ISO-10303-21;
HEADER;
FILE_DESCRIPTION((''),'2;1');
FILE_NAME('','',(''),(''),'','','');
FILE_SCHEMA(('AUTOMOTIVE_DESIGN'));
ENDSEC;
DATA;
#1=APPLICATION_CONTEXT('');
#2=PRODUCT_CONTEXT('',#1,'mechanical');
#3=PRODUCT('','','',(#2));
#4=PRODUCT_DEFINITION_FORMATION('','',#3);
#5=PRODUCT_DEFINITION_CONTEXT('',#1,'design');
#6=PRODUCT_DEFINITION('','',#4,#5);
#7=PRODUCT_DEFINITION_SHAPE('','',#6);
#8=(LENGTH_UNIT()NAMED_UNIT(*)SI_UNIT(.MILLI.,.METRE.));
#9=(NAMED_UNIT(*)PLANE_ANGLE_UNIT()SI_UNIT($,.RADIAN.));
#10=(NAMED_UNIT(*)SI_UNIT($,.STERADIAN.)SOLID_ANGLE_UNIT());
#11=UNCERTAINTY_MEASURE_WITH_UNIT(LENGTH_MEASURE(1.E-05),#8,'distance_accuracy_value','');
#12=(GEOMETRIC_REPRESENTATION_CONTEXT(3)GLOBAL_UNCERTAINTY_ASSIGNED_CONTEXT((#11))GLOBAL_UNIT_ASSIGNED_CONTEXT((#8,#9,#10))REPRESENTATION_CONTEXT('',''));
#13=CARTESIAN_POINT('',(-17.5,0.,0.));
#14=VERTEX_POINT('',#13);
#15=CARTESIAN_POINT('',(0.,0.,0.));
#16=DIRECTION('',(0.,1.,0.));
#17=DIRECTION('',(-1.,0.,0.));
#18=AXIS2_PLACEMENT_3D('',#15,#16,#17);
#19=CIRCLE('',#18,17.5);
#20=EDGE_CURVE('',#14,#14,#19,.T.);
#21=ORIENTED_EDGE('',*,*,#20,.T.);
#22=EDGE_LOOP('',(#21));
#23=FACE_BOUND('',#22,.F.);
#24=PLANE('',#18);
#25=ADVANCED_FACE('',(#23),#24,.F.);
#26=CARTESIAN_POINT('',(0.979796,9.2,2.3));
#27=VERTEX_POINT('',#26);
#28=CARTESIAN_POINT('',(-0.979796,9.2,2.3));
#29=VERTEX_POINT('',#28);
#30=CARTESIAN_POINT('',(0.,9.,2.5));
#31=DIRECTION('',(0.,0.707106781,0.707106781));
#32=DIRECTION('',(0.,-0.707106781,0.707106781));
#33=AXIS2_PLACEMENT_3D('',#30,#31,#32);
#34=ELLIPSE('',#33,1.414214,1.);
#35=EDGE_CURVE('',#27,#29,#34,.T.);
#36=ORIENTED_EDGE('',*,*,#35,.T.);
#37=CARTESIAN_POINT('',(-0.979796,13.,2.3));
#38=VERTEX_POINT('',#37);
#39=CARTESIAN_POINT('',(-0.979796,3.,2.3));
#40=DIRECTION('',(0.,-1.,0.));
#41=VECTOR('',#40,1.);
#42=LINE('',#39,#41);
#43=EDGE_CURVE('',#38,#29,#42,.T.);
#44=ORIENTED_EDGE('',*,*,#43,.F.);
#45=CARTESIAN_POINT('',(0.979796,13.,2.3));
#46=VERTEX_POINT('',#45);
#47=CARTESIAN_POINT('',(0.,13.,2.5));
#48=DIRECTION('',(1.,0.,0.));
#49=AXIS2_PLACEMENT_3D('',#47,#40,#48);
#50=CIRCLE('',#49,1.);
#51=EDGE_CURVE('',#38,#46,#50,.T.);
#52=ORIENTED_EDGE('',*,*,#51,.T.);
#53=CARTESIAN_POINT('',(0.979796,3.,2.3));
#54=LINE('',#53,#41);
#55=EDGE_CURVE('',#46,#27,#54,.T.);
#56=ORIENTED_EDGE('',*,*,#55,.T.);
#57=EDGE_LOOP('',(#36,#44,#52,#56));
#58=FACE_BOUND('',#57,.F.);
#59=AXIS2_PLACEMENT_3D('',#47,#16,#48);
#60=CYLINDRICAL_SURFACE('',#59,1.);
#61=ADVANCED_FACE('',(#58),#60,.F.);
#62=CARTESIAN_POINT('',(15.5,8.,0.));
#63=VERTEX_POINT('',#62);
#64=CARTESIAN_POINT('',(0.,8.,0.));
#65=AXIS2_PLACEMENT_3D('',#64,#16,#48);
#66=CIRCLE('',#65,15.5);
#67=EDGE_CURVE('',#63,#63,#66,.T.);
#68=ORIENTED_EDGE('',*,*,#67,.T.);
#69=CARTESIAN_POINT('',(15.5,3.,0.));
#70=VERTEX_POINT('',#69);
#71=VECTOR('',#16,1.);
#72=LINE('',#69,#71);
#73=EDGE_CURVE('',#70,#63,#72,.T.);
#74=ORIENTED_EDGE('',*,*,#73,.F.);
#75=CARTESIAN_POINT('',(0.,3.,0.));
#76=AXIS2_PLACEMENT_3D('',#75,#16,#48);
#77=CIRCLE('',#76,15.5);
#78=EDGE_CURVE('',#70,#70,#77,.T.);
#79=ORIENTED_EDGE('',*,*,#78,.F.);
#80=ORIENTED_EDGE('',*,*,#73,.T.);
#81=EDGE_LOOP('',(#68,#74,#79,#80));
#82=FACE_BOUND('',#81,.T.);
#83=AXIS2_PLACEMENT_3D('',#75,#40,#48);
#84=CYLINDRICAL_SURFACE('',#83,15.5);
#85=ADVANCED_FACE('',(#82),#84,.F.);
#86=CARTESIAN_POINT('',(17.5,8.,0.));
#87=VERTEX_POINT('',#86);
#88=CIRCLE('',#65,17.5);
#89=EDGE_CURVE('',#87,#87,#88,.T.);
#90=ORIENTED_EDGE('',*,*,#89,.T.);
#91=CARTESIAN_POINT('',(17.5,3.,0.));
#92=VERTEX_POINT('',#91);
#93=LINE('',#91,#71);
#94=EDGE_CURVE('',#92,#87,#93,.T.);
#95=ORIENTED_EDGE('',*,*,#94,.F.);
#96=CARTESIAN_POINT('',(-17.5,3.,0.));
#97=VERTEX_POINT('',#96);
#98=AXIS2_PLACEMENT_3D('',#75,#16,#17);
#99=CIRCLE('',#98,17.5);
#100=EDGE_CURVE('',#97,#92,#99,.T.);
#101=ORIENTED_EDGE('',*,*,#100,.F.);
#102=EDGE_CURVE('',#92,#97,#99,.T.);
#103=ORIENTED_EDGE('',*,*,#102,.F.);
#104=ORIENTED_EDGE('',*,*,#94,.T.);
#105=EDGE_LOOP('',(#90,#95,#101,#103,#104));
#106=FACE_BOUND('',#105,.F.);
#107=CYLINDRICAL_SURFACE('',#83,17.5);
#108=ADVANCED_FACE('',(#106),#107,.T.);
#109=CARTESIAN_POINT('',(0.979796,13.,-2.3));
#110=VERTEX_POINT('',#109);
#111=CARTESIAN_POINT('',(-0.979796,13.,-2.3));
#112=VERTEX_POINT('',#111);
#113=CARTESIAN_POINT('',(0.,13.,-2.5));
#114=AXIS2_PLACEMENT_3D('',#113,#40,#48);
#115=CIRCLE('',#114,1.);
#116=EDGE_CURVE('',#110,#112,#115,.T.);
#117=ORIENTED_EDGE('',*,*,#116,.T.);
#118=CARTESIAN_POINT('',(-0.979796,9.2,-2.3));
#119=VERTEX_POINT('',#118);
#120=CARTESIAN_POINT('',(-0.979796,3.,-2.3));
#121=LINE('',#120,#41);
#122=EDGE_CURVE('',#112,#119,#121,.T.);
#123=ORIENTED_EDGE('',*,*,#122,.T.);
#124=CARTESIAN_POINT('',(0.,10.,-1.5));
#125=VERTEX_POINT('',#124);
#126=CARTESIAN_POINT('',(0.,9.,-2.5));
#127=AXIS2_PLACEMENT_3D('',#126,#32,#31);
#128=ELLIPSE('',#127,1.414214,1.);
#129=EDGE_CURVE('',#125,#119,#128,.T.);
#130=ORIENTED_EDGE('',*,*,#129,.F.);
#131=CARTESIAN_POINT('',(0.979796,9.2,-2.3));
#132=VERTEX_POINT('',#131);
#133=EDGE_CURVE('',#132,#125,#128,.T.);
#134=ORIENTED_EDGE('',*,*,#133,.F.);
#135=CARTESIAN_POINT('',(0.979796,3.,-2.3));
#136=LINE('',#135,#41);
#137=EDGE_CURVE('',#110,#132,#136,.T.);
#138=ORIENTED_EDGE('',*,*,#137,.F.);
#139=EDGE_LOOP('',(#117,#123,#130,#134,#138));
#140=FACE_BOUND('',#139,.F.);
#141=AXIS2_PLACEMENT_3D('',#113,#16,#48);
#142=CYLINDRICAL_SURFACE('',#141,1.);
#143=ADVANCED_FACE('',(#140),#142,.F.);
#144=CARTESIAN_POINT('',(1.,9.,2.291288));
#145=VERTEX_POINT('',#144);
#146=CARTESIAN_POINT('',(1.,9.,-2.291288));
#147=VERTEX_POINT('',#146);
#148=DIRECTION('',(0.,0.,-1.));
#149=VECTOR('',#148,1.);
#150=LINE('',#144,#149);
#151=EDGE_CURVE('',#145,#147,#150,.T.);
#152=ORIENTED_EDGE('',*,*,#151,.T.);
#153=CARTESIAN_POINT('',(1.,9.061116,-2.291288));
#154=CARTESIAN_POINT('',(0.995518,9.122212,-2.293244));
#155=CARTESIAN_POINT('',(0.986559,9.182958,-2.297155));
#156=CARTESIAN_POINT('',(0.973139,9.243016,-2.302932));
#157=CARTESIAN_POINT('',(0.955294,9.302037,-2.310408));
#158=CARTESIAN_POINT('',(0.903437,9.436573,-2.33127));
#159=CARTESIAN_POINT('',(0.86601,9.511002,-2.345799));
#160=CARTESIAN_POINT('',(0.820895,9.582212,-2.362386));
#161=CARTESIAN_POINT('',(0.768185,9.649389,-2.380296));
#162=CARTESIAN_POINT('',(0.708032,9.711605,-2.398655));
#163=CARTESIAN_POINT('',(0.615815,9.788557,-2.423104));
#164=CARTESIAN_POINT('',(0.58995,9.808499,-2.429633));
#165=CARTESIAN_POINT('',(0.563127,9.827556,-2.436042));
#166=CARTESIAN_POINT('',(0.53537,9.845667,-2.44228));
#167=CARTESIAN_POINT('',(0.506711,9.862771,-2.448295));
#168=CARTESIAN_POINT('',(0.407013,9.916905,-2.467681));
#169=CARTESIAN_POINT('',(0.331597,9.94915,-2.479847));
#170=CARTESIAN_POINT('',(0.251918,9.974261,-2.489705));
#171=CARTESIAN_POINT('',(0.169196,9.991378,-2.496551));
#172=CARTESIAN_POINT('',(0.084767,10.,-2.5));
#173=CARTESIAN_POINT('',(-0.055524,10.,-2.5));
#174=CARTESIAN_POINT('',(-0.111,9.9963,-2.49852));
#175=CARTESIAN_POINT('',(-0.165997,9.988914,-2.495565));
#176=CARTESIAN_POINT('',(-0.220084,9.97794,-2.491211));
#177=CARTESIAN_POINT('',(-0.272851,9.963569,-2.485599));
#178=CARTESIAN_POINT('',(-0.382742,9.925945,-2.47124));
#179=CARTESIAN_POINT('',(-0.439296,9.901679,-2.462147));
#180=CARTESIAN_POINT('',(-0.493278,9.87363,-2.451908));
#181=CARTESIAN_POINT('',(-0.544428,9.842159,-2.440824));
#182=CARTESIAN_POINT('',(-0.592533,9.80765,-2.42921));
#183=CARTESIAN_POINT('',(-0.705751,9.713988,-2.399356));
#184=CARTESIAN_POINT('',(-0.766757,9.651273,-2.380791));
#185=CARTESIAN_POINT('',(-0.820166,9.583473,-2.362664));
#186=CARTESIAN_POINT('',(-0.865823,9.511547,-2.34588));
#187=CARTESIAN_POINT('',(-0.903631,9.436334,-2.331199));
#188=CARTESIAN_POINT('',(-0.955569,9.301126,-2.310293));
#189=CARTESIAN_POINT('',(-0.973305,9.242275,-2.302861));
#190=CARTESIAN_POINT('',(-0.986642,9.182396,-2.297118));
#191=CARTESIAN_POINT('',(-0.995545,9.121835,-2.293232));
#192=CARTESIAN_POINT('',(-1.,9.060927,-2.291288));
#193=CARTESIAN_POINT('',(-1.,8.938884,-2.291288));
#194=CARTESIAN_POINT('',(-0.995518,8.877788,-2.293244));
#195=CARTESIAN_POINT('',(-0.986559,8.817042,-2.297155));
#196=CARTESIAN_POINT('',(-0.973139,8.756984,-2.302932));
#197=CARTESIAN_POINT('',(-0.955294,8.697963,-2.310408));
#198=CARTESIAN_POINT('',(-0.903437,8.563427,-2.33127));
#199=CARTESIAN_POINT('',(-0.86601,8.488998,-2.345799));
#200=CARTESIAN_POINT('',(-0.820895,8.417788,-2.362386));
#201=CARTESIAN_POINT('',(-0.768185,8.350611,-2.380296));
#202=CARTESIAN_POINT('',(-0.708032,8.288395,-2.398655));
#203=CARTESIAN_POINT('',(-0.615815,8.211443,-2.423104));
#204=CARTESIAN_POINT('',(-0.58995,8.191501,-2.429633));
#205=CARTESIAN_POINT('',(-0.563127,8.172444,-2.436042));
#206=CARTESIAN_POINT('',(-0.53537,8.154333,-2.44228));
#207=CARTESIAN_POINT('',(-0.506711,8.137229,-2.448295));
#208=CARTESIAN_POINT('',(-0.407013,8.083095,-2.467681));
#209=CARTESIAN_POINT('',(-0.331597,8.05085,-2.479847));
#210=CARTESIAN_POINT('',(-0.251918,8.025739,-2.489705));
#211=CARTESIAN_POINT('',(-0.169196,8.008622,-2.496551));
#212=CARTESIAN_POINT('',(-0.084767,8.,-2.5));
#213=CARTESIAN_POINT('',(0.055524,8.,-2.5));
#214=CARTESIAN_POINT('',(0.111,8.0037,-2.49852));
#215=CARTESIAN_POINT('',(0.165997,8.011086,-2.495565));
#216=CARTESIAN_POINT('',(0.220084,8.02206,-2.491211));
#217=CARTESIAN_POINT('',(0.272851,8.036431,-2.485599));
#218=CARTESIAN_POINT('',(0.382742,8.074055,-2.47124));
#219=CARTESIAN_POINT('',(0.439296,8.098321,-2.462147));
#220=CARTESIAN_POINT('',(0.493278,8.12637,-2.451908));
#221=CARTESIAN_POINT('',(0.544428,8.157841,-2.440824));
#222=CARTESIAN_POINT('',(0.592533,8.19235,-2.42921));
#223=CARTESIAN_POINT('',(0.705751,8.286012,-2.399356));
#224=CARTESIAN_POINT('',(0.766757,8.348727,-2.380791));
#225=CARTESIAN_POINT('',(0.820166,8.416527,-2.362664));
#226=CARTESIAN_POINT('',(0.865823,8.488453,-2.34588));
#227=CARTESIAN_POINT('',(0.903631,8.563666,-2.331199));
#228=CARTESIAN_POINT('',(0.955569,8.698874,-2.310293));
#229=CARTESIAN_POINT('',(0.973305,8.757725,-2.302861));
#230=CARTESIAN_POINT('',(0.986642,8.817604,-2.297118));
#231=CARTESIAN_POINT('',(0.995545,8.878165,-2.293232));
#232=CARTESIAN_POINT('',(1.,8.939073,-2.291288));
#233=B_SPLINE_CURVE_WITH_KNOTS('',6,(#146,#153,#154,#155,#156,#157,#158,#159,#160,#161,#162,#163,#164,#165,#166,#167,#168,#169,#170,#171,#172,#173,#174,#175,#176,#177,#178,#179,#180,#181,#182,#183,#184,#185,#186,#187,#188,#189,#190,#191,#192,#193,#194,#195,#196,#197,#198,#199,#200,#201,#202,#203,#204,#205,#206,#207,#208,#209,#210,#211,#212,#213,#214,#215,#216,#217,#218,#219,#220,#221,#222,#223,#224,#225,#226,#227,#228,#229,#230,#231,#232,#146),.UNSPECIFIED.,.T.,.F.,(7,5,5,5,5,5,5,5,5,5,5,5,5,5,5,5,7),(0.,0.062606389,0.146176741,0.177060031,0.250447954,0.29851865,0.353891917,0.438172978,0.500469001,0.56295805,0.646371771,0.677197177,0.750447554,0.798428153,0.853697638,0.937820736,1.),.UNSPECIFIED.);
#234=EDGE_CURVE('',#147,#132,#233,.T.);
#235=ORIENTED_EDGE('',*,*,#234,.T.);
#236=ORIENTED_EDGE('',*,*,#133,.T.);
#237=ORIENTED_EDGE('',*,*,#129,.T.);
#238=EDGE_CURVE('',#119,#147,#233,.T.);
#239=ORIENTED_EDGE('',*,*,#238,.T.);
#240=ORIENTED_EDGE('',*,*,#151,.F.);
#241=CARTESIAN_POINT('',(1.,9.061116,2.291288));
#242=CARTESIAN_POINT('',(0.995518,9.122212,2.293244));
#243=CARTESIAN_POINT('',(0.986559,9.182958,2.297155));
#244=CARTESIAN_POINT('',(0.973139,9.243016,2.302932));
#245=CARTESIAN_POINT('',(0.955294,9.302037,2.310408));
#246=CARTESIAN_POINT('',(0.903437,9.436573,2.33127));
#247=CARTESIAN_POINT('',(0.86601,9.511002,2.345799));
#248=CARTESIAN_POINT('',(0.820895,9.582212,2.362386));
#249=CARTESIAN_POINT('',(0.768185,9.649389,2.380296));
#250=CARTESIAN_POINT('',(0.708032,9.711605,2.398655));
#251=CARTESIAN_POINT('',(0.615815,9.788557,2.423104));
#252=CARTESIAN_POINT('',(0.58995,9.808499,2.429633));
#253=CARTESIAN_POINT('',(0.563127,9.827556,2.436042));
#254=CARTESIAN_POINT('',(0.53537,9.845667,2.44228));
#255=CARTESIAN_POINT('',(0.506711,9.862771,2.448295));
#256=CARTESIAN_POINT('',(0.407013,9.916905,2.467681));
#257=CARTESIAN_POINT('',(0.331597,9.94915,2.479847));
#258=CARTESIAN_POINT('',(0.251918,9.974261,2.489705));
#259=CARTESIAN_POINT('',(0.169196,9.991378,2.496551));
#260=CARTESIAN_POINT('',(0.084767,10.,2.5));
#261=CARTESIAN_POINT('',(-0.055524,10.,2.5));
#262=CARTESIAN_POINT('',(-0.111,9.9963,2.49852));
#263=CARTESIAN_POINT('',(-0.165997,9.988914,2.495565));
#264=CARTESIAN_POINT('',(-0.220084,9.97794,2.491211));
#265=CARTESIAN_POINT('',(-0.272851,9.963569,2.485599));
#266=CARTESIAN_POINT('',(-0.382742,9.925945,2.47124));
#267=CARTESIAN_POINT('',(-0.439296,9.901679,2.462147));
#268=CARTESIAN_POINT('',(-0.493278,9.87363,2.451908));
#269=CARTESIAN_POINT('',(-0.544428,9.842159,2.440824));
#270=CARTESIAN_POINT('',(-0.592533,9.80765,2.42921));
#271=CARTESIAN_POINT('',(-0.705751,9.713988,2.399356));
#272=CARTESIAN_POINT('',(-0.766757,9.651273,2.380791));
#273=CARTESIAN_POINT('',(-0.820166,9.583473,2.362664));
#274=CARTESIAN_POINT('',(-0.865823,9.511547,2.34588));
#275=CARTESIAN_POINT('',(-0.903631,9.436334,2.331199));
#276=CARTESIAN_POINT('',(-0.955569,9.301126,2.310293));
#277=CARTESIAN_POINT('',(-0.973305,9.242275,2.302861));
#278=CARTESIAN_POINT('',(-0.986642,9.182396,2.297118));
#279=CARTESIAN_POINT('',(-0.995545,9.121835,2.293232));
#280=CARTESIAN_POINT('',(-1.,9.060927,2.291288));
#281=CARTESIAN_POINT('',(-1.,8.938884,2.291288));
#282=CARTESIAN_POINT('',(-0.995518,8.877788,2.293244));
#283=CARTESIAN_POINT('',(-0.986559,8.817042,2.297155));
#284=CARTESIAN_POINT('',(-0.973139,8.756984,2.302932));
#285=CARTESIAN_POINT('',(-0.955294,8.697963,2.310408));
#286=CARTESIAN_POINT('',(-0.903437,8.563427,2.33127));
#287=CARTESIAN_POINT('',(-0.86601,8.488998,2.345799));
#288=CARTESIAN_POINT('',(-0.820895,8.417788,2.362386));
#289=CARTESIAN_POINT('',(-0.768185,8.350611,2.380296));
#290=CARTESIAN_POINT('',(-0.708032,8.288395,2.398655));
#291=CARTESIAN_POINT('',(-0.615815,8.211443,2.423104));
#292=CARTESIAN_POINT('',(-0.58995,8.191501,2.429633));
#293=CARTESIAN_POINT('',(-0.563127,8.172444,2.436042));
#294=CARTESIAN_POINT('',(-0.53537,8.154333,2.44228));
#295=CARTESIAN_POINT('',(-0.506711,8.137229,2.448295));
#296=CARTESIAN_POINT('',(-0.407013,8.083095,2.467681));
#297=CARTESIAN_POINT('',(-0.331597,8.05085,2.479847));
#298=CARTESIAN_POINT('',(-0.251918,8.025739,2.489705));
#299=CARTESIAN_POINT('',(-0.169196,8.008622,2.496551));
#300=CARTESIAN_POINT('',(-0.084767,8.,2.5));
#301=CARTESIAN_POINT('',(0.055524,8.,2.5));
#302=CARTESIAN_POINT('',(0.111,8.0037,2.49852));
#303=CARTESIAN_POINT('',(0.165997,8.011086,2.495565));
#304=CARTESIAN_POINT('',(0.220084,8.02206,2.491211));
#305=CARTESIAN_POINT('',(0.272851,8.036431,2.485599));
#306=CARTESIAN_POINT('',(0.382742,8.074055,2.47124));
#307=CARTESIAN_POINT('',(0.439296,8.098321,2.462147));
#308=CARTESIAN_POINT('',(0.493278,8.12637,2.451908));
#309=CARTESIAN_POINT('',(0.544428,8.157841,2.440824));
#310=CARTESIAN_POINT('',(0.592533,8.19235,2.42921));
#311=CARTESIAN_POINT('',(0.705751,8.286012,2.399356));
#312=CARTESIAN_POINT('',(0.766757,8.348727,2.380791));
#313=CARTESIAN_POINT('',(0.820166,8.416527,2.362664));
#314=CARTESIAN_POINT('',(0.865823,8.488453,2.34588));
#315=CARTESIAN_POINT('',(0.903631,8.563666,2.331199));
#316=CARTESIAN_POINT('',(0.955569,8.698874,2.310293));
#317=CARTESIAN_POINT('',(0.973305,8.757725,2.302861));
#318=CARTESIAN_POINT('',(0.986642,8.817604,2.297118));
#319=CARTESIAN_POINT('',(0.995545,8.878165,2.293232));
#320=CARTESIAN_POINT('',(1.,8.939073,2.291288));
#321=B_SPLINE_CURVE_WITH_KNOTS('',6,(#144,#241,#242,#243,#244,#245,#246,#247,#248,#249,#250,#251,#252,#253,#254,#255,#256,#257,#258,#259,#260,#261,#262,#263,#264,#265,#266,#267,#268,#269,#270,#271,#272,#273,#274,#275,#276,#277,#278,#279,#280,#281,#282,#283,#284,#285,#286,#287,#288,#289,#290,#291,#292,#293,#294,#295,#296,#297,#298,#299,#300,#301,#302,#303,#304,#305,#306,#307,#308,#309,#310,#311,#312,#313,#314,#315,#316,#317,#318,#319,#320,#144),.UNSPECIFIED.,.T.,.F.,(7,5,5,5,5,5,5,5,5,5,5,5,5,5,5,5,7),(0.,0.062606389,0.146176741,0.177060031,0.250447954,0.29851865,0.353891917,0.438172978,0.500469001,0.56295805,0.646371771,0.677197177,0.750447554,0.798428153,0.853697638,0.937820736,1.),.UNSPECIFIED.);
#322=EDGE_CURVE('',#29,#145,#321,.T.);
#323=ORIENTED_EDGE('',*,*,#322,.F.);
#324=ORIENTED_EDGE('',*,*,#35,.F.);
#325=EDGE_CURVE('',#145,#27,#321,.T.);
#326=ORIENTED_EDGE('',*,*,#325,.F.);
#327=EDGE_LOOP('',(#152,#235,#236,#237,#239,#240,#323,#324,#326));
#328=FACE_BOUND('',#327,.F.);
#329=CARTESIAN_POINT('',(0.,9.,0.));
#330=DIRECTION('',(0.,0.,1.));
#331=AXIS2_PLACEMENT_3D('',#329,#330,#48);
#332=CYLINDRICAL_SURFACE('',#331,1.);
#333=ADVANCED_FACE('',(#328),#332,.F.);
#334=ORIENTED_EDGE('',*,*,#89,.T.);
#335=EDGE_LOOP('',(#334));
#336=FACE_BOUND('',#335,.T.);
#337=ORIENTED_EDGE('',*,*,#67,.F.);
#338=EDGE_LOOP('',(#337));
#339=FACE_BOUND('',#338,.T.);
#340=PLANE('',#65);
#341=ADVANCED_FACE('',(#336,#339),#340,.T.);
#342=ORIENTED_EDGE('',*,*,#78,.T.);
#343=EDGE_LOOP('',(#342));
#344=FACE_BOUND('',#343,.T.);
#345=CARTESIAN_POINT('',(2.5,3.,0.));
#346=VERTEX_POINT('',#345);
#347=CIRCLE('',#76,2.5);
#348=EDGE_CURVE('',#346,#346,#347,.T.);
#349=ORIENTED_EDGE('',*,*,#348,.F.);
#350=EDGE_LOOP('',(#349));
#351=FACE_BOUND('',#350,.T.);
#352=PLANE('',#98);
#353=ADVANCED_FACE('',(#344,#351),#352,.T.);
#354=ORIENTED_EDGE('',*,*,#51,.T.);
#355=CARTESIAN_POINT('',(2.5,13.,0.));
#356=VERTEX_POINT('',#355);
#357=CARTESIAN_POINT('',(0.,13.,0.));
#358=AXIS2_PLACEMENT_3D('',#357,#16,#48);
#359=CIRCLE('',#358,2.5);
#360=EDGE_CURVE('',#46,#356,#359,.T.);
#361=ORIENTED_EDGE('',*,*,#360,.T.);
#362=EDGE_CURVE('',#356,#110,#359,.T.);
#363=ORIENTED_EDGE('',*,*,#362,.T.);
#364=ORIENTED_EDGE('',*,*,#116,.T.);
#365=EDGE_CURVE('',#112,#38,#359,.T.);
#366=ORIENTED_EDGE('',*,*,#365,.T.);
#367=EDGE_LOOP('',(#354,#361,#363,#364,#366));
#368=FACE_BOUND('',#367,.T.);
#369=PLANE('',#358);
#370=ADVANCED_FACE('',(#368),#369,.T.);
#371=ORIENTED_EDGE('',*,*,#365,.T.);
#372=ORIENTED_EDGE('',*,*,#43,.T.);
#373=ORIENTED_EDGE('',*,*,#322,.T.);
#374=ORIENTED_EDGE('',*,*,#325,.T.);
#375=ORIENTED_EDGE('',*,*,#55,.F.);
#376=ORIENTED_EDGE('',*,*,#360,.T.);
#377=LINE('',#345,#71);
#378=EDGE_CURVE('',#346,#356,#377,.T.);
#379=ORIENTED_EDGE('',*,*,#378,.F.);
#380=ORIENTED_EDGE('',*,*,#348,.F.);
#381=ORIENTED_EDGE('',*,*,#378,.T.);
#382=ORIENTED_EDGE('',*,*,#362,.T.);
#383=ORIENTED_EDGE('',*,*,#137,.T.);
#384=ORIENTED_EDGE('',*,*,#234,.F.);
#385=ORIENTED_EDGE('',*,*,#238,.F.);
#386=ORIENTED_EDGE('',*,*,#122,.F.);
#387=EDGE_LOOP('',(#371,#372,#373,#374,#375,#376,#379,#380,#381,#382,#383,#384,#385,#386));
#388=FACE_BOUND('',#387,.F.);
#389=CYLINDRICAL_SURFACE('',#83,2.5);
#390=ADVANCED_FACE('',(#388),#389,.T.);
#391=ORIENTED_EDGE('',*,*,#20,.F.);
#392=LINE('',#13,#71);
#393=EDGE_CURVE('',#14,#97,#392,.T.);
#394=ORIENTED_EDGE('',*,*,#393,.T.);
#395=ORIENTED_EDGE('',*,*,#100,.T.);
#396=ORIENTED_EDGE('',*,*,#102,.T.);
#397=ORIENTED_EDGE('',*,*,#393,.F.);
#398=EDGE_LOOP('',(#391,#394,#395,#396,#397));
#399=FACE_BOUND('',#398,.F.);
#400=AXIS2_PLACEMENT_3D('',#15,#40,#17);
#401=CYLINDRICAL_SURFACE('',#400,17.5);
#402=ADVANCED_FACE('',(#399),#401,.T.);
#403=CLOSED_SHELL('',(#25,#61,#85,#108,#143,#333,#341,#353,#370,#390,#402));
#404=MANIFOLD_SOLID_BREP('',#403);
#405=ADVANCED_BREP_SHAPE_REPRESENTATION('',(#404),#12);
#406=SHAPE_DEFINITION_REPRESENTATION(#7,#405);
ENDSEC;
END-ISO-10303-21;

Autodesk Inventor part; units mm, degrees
ref_plane "YZ Plane" through (0, 0, 0) normal (1, 0, 0) x (0, 1, 0)
ref_plane "XZ Plane" through (0, 0, 0) normal (0, 1, 0) x (-1, 0, 0)
ref_plane "XY Plane" through (0, 0, 0) normal (0, 0, 1) x (1, 0, 0)
sketch "Sketch1" plane through (0, 0, 0) normal (0, 1, 0) x (-1, 0, 0)
  circle A0 centre (0, 0) radius 17.5
  dimension "d0" = 35
extrude "Extrusion1" add sketch "Sketch1" along normal blind 3
sketch "Sketch2" plane through (0, 3, 0) normal (0, 1, 0) x (1, 0, 0)
  circle A0 centre (0, 0) radius 17.5 projected
  circle A1 centre (0, 0) radius 2.5
  dimension "d3" = 5
extrude "Extrusion2" add sketch "Sketch2" along normal blind 10 contours A1
sketch "Sketch3" plane through (0, 0, 0) normal (0, 0, 1) x (1, 0, 0)
  circle A0 centre (0, 9) radius 1
  line L0 (2.5, 13) -> (-2.5, 13) projected
  point P0 (0, 0)
  dimension "d6" = 2
  dimension "d9" = 4
extrude "Extrusion3" cut sketch "Sketch3" along normal through all both and the other way through all
sketch "Sketch4" plane through (0, 13, 0) normal (0, 1, 0) x (1, 0, 0)
  circle A0 centre (0, 0) radius 2.5 projected
  circle A1 centre (0, 2.5) radius 1
  circle A2 centre (0, -2.5) radius 1
  dimension "d10" = 2
extrude "Extrusion4" cut sketch "Sketch4" against normal blind 4 contours A1 A0 | A0 A1 | A2 A0 | A0 A2
sketch "Sketch5" plane through (0, 3, 0) normal (0, 1, 0) x (1, 0, 0)
  circle A0 centre (0, 0) radius 17.5 projected
  circle A1 centre (0, 0) radius 15.5
  dimension "d13" = 2
extrude "Extrusion5" add sketch "Sketch5" along normal blind 5
properties part number "pot_bottom"
